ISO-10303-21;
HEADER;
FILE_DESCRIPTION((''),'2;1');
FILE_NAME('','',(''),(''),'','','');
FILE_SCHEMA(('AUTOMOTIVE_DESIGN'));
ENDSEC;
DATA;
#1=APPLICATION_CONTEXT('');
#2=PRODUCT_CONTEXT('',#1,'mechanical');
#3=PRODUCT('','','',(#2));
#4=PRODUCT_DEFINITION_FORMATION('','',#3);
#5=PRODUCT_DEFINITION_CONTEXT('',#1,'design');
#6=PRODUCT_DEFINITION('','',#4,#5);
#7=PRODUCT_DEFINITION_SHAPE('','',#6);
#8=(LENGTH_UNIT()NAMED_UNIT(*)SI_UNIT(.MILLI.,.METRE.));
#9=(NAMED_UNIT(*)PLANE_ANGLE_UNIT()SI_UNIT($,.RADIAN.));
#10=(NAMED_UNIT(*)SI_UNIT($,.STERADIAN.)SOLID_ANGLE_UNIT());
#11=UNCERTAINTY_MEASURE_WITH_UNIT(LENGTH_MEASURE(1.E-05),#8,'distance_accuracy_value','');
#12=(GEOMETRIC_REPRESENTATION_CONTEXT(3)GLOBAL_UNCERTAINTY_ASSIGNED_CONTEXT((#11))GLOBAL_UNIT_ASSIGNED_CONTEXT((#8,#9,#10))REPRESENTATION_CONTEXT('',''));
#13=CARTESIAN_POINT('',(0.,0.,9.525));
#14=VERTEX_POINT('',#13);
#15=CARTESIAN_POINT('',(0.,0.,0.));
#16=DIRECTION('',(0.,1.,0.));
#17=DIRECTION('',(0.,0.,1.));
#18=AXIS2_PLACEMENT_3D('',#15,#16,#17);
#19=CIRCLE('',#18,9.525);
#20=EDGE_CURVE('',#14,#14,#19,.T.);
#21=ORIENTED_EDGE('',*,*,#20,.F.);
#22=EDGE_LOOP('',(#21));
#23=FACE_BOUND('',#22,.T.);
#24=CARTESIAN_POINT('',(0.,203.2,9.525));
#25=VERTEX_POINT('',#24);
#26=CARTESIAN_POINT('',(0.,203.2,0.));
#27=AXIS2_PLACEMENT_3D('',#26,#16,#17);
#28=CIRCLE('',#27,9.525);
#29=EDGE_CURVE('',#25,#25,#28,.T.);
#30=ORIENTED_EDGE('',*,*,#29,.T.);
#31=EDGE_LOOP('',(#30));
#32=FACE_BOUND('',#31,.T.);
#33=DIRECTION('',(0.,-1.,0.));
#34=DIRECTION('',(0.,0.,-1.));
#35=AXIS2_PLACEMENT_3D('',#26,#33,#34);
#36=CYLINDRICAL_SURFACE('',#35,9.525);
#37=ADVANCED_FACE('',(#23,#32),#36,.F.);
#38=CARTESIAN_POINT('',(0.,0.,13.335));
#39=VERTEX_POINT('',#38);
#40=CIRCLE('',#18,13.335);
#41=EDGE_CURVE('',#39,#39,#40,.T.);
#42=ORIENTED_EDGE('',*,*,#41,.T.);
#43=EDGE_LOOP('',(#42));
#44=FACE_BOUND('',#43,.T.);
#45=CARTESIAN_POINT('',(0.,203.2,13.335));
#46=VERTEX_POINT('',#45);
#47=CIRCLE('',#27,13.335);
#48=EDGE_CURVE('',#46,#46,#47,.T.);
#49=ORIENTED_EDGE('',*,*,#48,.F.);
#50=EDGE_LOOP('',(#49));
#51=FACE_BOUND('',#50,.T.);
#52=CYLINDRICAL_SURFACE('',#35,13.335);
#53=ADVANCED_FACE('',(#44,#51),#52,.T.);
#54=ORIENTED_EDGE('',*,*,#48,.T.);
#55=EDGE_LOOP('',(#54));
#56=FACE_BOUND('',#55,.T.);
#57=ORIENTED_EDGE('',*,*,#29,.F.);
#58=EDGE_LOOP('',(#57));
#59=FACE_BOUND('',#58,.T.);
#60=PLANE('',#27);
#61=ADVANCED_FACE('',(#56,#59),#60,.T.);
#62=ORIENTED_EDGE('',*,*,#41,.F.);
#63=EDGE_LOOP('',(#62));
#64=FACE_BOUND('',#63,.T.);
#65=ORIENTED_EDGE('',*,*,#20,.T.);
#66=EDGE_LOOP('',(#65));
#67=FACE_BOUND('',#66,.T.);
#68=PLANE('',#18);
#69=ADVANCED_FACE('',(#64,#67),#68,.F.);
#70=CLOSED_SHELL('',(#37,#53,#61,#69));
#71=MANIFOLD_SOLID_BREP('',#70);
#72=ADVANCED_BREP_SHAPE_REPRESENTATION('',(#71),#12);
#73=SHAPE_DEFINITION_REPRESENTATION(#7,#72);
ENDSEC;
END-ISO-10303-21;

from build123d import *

# Parameters (mm, degrees)
SKETCH5_R           = 13.335
SKETCH5_R_2         = 9.525
BOSS_EXTRUDE1_DEPTH = 203.2


with BuildPart() as part:
    # Sketch5 → Boss-Extrude1 (new body)
    with BuildSketch(Plane(origin=(0, 0, 0), x_dir=(1, 0, 0), z_dir=(0, 1, 0))):
        Circle(SKETCH5_R)
        Circle(SKETCH5_R_2, mode=Mode.SUBTRACT)
    extrude(amount=BOSS_EXTRUDE1_DEPTH)


solid = part.part
